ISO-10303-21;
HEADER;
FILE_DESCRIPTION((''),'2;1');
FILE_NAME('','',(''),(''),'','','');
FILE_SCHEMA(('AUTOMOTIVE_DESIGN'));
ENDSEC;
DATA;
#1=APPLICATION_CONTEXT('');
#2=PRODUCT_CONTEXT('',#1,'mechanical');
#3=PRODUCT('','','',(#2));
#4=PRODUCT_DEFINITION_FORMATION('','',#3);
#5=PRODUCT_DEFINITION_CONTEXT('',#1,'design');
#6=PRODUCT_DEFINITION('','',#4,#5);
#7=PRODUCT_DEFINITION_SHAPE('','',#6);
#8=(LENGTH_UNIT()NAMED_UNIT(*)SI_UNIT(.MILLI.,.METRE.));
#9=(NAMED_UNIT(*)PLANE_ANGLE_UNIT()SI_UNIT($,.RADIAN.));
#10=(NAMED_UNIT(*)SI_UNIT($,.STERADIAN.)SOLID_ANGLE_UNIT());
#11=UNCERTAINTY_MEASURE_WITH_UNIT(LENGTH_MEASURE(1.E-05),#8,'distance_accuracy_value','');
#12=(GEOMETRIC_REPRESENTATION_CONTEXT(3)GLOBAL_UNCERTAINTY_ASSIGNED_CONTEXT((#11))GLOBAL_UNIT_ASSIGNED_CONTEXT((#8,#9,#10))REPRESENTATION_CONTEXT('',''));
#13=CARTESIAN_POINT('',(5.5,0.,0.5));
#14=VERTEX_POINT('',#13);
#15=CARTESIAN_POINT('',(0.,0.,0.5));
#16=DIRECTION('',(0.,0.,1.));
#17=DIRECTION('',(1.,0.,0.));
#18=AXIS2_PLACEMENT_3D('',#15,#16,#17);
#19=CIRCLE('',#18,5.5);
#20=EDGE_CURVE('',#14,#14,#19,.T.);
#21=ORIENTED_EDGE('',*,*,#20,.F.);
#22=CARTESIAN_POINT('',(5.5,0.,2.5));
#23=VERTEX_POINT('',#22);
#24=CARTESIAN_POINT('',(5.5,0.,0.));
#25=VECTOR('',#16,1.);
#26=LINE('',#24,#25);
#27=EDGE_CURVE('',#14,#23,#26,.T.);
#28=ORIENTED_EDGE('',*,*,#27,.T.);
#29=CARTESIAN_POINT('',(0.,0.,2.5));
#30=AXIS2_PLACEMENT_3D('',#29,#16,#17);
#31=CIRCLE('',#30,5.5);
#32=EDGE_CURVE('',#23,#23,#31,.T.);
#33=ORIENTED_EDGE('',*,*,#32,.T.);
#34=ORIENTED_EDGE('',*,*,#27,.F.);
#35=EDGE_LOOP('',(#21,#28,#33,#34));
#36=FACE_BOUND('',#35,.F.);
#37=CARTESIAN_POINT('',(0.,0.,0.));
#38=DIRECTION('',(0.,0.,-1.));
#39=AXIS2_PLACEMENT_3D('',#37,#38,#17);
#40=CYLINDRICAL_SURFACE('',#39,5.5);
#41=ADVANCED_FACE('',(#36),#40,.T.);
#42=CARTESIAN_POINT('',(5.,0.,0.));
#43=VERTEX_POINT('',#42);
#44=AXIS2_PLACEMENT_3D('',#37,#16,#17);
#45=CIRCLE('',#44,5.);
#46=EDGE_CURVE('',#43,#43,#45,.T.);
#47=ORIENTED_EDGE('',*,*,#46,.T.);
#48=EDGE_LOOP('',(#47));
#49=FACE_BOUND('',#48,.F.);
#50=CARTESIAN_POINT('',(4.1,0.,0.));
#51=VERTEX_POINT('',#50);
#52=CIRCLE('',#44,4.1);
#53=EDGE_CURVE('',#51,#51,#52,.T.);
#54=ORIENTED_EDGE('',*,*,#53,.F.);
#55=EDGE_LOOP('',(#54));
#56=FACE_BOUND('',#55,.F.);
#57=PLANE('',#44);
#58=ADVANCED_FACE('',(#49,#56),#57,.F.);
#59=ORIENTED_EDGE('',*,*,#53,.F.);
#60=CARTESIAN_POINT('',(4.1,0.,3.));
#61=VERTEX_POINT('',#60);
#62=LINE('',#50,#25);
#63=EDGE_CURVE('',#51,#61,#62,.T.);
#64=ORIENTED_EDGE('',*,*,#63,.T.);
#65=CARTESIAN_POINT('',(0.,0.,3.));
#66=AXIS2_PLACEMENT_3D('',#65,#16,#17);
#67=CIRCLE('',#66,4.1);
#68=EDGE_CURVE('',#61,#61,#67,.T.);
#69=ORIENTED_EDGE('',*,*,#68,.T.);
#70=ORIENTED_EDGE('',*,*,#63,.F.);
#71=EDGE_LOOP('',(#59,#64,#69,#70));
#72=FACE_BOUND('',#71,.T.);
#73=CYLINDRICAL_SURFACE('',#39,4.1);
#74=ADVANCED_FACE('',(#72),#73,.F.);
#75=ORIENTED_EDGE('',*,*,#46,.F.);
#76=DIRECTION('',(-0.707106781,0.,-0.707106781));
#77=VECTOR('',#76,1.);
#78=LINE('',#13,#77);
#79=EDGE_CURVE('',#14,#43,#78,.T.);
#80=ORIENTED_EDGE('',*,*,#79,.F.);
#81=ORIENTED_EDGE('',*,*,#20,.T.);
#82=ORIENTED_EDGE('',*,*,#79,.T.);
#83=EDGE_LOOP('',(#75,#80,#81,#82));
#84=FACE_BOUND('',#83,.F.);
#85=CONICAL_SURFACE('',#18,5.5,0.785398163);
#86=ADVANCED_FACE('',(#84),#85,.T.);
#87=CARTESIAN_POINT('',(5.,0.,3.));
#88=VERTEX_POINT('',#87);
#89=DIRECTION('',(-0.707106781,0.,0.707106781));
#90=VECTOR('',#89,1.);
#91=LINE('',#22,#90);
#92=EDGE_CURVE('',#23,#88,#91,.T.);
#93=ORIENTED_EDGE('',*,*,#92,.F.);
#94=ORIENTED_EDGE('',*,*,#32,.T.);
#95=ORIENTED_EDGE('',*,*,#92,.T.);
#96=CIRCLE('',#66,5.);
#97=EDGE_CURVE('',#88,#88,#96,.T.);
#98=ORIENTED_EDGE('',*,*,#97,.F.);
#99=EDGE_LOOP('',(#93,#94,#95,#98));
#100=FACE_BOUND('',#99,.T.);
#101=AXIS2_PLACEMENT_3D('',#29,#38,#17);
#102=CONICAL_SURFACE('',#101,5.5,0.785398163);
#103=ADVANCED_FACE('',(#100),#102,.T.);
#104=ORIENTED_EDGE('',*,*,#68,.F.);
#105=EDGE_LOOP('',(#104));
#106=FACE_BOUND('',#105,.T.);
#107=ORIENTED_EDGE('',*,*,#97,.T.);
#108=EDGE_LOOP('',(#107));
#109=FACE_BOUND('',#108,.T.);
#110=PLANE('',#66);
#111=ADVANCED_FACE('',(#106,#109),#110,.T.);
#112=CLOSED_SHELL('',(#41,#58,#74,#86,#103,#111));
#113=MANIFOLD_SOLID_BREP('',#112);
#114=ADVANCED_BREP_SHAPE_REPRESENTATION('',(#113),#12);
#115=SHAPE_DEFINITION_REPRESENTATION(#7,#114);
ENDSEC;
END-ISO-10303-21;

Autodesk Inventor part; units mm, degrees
ref_plane "YZ Plane" through (0, 0, 0) normal (1, 0, 0) x (0, 1, 0)
ref_plane "XZ Plane" through (0, 0, 0) normal (0, 1, 0) x (-1, 0, 0)
ref_plane "XY Plane" through (0, 0, 0) normal (0, 0, 1) x (1, 0, 0)
sketch "Sketch1" plane through (0, 0, 0) normal (0, 0, 1) x (1, 0, 0)
  circle A0 centre (0, 0) radius 4.1
  circle A1 centre (0, 0) radius 5.5
  dimension "d0" = 8.2
  dimension "d1" = 11
extrude "Extrusion1" add sketch "Sketch1" along normal blind 3
chamfer "Chamfer1" distance 0.5 angle 45 2 edges at (-5.5, 0, 3) (-5.5, 0, 0)
properties part number "HD_Spacer"
